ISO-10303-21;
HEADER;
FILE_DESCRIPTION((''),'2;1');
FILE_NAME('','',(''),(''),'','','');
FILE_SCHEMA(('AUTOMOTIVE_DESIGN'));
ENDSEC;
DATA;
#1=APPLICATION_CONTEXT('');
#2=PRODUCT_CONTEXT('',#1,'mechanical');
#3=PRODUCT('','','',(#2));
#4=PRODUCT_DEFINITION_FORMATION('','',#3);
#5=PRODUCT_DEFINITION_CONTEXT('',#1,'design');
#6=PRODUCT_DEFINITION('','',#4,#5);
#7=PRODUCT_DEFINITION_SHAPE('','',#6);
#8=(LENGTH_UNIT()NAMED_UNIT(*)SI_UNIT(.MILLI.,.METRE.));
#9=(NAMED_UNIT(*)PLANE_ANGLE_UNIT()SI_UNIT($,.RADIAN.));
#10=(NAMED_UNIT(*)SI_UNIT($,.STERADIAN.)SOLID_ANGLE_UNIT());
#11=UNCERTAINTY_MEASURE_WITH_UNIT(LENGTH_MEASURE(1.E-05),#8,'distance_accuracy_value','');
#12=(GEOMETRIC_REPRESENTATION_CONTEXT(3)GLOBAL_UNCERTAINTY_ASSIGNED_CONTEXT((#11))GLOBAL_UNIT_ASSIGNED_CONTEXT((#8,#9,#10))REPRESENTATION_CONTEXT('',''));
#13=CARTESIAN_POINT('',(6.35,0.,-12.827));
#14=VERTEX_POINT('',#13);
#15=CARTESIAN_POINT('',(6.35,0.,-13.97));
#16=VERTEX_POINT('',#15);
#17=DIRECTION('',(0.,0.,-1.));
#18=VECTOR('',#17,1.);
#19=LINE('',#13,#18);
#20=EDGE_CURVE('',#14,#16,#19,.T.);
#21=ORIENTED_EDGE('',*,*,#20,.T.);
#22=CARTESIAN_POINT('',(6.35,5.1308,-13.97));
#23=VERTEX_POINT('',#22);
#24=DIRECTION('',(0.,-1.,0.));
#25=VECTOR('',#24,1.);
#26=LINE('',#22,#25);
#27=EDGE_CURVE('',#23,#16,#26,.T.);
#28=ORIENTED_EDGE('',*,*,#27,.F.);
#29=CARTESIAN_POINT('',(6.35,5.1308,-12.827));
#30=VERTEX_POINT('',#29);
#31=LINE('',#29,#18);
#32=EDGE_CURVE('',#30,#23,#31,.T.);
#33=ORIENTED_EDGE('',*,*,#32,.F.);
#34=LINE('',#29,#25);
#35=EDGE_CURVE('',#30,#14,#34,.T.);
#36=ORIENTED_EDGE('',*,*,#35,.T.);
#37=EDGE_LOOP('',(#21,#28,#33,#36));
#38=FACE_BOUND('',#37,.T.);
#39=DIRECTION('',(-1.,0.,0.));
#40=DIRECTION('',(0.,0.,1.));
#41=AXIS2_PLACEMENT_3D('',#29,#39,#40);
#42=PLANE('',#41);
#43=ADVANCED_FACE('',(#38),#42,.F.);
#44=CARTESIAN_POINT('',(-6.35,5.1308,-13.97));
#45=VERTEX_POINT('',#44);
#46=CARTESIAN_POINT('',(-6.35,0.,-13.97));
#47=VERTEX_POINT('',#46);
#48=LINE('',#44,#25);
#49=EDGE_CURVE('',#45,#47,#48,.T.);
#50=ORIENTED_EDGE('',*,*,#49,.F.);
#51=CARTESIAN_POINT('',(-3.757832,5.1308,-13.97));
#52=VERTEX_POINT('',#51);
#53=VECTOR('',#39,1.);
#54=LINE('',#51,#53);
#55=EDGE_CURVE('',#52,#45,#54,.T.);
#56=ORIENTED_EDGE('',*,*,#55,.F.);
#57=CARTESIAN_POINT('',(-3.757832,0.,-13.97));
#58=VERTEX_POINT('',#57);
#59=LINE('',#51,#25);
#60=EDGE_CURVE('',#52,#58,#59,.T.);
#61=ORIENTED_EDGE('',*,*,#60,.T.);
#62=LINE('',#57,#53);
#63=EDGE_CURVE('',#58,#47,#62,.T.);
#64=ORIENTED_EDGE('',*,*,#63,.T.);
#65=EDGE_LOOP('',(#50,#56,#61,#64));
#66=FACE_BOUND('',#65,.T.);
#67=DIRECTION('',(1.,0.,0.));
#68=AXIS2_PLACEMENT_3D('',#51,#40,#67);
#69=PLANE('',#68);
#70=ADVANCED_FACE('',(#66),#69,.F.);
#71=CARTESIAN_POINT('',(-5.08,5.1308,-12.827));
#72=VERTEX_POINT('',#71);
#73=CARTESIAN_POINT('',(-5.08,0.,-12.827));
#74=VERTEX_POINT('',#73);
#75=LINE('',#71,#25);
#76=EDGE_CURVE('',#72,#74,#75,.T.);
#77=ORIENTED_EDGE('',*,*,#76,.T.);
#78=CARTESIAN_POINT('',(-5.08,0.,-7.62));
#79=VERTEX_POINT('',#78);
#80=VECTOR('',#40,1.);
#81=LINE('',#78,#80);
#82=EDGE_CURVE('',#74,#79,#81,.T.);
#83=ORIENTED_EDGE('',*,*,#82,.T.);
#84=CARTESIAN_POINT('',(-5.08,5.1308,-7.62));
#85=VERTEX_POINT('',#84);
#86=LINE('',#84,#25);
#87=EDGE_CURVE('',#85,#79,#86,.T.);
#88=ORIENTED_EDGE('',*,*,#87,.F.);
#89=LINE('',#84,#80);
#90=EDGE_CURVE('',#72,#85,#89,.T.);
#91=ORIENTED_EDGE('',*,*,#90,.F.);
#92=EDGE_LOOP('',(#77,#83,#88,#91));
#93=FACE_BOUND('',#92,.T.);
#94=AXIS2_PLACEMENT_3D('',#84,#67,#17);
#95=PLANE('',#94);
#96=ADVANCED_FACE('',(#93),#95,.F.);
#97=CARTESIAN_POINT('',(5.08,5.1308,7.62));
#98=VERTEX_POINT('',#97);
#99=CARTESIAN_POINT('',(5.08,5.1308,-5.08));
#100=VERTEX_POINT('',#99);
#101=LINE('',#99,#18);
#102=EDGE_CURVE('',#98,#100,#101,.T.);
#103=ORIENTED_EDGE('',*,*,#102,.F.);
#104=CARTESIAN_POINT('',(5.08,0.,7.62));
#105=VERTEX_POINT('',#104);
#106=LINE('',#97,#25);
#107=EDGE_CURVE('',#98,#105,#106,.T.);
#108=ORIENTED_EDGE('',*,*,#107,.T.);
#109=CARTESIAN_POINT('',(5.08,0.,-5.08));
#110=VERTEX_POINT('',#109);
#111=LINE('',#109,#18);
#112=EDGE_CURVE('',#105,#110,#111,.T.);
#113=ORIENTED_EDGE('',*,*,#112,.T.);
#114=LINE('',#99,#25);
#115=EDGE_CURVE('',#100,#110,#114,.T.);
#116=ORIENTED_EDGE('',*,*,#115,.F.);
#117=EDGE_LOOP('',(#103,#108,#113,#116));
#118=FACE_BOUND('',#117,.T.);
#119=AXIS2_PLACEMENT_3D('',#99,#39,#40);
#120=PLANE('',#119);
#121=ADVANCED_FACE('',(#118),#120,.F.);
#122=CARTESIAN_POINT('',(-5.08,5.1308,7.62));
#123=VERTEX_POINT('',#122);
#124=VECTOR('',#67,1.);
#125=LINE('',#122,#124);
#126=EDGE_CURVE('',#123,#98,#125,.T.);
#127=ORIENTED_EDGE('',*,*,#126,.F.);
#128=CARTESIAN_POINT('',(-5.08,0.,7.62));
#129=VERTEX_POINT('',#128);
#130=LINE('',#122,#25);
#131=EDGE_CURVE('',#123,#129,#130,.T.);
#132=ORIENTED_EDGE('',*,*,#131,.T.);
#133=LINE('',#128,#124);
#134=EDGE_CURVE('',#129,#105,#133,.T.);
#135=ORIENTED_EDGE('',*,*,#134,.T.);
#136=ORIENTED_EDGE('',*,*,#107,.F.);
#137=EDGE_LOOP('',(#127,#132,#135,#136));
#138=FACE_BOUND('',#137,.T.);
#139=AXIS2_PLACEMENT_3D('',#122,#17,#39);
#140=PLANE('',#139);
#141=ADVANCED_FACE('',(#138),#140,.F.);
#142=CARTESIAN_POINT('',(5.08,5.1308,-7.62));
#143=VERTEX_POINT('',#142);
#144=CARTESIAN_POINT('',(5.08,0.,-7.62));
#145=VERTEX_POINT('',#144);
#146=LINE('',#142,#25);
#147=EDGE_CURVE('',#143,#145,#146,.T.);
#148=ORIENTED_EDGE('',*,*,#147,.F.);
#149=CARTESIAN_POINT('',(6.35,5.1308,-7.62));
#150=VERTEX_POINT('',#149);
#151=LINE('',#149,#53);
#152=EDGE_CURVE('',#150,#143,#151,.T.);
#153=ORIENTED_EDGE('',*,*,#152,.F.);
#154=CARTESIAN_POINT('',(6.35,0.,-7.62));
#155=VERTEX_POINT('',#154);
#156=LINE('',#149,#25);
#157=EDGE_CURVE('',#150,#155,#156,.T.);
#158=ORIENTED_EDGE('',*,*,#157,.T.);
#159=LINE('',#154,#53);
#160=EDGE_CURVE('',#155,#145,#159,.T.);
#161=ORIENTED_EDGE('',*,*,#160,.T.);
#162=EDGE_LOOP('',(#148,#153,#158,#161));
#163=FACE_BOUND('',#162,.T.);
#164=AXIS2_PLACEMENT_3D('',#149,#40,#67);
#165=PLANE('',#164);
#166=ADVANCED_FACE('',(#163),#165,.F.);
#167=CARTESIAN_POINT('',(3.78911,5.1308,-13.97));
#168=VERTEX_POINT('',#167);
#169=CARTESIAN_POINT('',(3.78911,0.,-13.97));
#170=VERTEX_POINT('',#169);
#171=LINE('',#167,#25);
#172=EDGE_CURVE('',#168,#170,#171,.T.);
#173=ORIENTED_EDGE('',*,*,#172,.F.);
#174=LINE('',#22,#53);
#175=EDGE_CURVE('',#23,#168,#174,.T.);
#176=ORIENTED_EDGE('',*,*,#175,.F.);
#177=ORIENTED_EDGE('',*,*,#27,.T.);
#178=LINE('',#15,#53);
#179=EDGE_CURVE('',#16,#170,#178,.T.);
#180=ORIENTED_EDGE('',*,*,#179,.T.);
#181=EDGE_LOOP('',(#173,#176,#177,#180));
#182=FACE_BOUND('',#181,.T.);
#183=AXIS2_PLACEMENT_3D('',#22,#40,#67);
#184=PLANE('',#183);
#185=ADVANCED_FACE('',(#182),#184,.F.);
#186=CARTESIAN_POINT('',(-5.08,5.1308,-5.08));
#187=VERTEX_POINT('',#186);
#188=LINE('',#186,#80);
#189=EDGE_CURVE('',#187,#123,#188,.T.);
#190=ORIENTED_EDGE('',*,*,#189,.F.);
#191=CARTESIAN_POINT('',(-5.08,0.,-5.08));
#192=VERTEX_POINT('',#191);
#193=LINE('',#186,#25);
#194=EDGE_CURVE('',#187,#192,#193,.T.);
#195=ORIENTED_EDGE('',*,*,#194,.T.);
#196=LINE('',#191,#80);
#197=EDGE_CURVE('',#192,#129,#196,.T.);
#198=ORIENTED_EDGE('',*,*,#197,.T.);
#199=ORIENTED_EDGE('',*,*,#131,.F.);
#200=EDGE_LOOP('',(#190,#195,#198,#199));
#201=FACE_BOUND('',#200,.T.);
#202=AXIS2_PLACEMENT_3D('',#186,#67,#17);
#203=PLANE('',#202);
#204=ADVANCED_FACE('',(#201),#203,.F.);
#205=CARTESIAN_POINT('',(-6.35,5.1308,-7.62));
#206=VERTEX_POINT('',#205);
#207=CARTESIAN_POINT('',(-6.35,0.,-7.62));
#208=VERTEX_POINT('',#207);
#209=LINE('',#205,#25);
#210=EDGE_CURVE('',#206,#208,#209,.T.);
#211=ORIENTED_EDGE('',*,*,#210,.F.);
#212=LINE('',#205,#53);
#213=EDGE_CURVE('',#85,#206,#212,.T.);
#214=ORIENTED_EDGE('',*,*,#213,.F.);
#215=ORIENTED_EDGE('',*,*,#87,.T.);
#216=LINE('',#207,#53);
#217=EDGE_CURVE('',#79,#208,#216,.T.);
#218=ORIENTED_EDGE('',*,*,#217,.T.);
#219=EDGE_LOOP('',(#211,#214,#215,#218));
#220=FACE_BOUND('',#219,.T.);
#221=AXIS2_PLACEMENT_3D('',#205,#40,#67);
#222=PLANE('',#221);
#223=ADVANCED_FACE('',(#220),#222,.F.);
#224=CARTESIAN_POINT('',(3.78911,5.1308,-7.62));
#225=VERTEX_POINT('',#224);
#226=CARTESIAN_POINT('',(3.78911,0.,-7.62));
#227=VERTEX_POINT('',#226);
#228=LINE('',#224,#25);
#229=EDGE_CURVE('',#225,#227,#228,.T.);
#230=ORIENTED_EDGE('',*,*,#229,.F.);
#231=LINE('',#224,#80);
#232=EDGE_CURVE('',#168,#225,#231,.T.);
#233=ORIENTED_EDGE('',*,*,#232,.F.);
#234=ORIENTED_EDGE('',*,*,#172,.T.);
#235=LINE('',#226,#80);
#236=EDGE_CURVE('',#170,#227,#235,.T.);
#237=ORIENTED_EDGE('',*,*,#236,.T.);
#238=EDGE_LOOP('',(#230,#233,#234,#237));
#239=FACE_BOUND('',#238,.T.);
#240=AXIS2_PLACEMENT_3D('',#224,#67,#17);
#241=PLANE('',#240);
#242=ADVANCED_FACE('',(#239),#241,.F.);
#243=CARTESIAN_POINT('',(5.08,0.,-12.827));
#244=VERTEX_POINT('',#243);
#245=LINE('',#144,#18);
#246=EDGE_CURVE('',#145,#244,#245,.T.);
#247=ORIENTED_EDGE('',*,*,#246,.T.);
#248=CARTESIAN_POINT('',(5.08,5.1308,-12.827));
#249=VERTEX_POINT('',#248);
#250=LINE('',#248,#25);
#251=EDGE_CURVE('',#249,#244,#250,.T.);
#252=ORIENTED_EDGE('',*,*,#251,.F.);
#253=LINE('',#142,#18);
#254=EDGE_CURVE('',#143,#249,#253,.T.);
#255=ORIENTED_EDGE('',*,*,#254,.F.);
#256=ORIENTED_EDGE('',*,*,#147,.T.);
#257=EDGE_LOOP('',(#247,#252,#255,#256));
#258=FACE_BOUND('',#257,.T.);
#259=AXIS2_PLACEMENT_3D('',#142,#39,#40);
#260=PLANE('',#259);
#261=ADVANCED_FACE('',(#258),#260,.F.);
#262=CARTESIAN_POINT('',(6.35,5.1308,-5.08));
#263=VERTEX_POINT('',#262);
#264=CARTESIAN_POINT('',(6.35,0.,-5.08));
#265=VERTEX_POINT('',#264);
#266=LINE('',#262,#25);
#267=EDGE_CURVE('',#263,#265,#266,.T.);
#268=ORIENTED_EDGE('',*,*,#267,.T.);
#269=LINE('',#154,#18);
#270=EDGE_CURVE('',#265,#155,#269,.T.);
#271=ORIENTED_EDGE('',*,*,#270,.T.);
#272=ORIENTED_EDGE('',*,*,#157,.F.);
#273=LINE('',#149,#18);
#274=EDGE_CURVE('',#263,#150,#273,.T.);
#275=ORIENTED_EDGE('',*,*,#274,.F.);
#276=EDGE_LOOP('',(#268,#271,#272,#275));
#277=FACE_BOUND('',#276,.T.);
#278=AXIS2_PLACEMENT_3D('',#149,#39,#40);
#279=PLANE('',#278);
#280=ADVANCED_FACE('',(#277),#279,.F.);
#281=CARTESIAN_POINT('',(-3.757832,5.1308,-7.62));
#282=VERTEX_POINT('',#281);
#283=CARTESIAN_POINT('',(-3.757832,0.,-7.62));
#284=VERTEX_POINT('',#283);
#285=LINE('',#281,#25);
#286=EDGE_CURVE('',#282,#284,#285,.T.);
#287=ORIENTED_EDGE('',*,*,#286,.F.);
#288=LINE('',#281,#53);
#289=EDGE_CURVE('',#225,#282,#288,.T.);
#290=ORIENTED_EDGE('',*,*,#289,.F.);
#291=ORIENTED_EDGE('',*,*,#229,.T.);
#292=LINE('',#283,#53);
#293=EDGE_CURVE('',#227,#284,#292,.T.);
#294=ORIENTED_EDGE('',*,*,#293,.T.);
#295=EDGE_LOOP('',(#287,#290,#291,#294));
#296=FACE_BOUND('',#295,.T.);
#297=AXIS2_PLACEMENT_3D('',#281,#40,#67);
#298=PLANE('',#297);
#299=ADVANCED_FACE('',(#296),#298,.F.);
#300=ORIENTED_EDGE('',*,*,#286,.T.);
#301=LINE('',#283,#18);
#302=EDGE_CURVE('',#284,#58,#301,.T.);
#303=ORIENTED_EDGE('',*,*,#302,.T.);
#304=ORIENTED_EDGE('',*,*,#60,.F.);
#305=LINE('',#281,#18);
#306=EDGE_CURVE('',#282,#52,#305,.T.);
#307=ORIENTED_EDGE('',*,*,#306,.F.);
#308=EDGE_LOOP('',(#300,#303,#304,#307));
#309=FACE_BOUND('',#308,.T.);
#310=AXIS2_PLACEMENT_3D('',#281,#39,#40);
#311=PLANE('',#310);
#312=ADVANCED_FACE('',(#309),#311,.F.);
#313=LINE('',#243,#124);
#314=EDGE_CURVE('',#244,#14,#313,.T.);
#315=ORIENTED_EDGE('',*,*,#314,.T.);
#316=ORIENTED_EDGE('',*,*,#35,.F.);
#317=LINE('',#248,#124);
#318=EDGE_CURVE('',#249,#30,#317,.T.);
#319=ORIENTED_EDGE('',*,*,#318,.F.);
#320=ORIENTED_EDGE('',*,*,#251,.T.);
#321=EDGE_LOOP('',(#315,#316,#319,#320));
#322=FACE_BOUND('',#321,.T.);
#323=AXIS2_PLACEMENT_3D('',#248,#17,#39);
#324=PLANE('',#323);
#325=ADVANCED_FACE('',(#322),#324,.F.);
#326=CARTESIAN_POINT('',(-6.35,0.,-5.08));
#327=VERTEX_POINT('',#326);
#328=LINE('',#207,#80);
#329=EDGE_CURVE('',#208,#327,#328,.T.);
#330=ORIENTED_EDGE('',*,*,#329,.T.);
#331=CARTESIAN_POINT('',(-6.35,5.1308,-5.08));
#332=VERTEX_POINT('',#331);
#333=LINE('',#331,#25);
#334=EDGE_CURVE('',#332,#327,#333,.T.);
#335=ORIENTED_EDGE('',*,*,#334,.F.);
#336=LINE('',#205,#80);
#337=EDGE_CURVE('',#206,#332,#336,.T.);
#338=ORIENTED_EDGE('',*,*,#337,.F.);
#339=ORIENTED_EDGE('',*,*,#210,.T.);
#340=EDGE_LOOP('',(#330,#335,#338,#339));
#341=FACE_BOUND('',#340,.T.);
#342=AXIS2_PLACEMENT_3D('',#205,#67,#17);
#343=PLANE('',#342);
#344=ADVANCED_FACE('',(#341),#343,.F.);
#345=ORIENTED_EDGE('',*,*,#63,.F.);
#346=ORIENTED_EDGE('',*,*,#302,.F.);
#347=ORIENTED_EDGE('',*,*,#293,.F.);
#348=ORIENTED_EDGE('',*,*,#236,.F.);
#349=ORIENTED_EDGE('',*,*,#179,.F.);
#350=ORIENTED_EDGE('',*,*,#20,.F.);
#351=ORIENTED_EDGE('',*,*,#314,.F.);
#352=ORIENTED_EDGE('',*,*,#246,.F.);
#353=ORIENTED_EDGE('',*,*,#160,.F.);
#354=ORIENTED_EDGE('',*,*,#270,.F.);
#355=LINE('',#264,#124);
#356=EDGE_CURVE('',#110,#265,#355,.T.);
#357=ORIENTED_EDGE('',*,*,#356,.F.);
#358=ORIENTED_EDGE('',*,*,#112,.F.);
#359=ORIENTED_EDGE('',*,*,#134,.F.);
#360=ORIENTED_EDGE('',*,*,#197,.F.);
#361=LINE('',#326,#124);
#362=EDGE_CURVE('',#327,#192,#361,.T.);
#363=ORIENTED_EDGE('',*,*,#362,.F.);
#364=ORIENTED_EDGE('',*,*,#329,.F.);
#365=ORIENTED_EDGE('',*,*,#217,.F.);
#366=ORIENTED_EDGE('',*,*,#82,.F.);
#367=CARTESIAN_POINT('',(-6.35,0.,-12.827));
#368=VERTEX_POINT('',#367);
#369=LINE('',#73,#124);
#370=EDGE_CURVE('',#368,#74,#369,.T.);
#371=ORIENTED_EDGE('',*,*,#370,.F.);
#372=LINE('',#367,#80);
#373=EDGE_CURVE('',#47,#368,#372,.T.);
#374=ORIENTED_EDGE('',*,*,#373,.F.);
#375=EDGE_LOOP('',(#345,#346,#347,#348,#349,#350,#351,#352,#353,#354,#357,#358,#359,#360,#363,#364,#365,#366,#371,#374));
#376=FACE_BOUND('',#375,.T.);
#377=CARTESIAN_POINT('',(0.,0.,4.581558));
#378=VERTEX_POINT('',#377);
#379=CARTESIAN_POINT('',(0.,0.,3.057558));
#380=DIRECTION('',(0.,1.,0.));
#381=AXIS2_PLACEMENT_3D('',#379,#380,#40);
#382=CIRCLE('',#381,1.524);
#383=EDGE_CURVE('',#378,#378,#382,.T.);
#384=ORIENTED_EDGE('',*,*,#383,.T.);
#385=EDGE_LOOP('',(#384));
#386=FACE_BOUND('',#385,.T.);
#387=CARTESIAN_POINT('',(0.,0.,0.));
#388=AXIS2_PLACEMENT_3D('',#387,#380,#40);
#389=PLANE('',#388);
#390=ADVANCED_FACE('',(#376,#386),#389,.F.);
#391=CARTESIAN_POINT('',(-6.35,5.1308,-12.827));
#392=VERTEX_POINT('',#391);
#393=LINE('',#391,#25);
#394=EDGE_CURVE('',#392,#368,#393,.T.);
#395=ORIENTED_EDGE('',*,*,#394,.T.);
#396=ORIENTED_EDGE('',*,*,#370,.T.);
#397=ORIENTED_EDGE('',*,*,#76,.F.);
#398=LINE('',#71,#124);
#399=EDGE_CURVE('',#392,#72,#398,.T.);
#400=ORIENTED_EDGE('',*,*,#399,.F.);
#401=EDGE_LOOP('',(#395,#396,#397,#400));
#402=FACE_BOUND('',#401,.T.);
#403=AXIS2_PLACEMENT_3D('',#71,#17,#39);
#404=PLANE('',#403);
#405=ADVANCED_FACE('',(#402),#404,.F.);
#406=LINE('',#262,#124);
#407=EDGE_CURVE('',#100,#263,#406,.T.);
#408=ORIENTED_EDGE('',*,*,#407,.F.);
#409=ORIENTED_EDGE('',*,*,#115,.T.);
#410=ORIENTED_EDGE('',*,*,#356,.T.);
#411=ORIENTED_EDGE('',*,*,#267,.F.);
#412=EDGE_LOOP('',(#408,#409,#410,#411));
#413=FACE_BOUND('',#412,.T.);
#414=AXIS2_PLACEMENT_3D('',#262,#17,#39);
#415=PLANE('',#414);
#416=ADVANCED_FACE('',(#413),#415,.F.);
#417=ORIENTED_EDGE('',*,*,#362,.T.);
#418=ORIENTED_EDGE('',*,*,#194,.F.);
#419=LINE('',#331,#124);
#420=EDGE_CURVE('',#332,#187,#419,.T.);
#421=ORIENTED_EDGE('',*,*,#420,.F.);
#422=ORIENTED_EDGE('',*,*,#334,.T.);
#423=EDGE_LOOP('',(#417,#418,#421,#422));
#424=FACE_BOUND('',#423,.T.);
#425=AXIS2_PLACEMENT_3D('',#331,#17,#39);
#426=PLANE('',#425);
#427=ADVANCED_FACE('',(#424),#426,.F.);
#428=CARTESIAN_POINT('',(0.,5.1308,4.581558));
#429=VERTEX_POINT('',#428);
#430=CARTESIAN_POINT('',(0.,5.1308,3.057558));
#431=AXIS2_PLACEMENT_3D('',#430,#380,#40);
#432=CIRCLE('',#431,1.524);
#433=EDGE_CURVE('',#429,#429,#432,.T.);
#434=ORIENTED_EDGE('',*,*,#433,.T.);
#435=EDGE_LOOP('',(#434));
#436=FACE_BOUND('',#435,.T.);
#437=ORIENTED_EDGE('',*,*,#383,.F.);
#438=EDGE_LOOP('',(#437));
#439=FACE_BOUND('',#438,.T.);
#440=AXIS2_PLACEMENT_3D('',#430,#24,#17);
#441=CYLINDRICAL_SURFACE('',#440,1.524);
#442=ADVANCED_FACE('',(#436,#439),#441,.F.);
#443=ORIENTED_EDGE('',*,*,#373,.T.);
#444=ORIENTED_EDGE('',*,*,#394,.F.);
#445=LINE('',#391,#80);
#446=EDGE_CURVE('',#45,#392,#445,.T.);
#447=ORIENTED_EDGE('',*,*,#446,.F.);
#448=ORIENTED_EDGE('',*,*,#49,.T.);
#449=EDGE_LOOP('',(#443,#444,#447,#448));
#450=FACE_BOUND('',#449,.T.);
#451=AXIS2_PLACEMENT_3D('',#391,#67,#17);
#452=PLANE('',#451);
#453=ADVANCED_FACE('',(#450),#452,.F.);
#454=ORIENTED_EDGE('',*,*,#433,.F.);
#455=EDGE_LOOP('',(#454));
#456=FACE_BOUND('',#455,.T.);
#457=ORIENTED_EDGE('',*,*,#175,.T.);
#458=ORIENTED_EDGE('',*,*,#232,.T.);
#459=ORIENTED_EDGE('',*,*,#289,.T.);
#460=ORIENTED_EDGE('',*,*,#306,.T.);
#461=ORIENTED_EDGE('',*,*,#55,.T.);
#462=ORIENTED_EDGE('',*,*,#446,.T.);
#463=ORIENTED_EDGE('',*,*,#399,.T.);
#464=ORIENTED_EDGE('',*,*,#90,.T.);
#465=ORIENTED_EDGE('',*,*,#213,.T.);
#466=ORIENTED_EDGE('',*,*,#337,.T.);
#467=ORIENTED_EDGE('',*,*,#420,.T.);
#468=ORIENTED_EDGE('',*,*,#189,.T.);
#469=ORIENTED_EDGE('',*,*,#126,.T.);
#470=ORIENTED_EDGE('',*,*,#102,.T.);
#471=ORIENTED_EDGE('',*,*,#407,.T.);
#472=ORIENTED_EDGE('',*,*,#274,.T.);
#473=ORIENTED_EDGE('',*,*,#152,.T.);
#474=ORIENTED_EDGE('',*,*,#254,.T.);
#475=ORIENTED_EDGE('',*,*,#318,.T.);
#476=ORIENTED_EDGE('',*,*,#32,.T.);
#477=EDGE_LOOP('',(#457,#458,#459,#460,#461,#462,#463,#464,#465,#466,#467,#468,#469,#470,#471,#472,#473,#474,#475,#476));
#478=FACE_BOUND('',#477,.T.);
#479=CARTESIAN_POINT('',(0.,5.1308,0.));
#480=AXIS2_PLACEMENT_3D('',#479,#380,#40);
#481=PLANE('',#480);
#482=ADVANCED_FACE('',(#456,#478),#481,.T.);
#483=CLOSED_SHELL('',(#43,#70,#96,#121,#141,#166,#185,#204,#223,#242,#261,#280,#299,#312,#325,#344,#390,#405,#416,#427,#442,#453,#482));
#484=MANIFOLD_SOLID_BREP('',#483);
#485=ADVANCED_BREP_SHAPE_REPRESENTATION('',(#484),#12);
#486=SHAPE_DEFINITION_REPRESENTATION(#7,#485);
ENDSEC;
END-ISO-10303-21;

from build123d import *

# Parameters (mm, degrees)
SKETCH1_R           = 1.524
BOSS_EXTRUDE2_DEPTH = 5.1308


with BuildPart() as part:
    # Sketch1 → Boss-Extrude2 (new body)
    with BuildSketch(Plane(origin=(0, 0, 0), x_dir=(1, 0, 0), z_dir=(0, 1, 0))):
        Polygon((3.789110208, 7.62), (3.789110208, 13.97), (6.35, 13.97), (6.35, 12.827), (5.08, 12.827), (5.08, 7.62), (6.35, 7.62), (6.35, 5.08), (5.08, 5.08), (5.08, -7.62), (-5.08, -7.62), (-5.08, 5.08), (-6.35, 5.08), (-6.35, 7.62), (-5.08, 7.62), (-5.08, 12.827), (-6.35, 12.827), (-6.35, 13.97), (-3.757831609, 13.97), (-3.757831609, 7.62), align=None)
        with Locations((0, -3.057558155)):
            Circle(SKETCH1_R, mode=Mode.SUBTRACT)
    extrude(amount=BOSS_EXTRUDE2_DEPTH)


solid = part.part
